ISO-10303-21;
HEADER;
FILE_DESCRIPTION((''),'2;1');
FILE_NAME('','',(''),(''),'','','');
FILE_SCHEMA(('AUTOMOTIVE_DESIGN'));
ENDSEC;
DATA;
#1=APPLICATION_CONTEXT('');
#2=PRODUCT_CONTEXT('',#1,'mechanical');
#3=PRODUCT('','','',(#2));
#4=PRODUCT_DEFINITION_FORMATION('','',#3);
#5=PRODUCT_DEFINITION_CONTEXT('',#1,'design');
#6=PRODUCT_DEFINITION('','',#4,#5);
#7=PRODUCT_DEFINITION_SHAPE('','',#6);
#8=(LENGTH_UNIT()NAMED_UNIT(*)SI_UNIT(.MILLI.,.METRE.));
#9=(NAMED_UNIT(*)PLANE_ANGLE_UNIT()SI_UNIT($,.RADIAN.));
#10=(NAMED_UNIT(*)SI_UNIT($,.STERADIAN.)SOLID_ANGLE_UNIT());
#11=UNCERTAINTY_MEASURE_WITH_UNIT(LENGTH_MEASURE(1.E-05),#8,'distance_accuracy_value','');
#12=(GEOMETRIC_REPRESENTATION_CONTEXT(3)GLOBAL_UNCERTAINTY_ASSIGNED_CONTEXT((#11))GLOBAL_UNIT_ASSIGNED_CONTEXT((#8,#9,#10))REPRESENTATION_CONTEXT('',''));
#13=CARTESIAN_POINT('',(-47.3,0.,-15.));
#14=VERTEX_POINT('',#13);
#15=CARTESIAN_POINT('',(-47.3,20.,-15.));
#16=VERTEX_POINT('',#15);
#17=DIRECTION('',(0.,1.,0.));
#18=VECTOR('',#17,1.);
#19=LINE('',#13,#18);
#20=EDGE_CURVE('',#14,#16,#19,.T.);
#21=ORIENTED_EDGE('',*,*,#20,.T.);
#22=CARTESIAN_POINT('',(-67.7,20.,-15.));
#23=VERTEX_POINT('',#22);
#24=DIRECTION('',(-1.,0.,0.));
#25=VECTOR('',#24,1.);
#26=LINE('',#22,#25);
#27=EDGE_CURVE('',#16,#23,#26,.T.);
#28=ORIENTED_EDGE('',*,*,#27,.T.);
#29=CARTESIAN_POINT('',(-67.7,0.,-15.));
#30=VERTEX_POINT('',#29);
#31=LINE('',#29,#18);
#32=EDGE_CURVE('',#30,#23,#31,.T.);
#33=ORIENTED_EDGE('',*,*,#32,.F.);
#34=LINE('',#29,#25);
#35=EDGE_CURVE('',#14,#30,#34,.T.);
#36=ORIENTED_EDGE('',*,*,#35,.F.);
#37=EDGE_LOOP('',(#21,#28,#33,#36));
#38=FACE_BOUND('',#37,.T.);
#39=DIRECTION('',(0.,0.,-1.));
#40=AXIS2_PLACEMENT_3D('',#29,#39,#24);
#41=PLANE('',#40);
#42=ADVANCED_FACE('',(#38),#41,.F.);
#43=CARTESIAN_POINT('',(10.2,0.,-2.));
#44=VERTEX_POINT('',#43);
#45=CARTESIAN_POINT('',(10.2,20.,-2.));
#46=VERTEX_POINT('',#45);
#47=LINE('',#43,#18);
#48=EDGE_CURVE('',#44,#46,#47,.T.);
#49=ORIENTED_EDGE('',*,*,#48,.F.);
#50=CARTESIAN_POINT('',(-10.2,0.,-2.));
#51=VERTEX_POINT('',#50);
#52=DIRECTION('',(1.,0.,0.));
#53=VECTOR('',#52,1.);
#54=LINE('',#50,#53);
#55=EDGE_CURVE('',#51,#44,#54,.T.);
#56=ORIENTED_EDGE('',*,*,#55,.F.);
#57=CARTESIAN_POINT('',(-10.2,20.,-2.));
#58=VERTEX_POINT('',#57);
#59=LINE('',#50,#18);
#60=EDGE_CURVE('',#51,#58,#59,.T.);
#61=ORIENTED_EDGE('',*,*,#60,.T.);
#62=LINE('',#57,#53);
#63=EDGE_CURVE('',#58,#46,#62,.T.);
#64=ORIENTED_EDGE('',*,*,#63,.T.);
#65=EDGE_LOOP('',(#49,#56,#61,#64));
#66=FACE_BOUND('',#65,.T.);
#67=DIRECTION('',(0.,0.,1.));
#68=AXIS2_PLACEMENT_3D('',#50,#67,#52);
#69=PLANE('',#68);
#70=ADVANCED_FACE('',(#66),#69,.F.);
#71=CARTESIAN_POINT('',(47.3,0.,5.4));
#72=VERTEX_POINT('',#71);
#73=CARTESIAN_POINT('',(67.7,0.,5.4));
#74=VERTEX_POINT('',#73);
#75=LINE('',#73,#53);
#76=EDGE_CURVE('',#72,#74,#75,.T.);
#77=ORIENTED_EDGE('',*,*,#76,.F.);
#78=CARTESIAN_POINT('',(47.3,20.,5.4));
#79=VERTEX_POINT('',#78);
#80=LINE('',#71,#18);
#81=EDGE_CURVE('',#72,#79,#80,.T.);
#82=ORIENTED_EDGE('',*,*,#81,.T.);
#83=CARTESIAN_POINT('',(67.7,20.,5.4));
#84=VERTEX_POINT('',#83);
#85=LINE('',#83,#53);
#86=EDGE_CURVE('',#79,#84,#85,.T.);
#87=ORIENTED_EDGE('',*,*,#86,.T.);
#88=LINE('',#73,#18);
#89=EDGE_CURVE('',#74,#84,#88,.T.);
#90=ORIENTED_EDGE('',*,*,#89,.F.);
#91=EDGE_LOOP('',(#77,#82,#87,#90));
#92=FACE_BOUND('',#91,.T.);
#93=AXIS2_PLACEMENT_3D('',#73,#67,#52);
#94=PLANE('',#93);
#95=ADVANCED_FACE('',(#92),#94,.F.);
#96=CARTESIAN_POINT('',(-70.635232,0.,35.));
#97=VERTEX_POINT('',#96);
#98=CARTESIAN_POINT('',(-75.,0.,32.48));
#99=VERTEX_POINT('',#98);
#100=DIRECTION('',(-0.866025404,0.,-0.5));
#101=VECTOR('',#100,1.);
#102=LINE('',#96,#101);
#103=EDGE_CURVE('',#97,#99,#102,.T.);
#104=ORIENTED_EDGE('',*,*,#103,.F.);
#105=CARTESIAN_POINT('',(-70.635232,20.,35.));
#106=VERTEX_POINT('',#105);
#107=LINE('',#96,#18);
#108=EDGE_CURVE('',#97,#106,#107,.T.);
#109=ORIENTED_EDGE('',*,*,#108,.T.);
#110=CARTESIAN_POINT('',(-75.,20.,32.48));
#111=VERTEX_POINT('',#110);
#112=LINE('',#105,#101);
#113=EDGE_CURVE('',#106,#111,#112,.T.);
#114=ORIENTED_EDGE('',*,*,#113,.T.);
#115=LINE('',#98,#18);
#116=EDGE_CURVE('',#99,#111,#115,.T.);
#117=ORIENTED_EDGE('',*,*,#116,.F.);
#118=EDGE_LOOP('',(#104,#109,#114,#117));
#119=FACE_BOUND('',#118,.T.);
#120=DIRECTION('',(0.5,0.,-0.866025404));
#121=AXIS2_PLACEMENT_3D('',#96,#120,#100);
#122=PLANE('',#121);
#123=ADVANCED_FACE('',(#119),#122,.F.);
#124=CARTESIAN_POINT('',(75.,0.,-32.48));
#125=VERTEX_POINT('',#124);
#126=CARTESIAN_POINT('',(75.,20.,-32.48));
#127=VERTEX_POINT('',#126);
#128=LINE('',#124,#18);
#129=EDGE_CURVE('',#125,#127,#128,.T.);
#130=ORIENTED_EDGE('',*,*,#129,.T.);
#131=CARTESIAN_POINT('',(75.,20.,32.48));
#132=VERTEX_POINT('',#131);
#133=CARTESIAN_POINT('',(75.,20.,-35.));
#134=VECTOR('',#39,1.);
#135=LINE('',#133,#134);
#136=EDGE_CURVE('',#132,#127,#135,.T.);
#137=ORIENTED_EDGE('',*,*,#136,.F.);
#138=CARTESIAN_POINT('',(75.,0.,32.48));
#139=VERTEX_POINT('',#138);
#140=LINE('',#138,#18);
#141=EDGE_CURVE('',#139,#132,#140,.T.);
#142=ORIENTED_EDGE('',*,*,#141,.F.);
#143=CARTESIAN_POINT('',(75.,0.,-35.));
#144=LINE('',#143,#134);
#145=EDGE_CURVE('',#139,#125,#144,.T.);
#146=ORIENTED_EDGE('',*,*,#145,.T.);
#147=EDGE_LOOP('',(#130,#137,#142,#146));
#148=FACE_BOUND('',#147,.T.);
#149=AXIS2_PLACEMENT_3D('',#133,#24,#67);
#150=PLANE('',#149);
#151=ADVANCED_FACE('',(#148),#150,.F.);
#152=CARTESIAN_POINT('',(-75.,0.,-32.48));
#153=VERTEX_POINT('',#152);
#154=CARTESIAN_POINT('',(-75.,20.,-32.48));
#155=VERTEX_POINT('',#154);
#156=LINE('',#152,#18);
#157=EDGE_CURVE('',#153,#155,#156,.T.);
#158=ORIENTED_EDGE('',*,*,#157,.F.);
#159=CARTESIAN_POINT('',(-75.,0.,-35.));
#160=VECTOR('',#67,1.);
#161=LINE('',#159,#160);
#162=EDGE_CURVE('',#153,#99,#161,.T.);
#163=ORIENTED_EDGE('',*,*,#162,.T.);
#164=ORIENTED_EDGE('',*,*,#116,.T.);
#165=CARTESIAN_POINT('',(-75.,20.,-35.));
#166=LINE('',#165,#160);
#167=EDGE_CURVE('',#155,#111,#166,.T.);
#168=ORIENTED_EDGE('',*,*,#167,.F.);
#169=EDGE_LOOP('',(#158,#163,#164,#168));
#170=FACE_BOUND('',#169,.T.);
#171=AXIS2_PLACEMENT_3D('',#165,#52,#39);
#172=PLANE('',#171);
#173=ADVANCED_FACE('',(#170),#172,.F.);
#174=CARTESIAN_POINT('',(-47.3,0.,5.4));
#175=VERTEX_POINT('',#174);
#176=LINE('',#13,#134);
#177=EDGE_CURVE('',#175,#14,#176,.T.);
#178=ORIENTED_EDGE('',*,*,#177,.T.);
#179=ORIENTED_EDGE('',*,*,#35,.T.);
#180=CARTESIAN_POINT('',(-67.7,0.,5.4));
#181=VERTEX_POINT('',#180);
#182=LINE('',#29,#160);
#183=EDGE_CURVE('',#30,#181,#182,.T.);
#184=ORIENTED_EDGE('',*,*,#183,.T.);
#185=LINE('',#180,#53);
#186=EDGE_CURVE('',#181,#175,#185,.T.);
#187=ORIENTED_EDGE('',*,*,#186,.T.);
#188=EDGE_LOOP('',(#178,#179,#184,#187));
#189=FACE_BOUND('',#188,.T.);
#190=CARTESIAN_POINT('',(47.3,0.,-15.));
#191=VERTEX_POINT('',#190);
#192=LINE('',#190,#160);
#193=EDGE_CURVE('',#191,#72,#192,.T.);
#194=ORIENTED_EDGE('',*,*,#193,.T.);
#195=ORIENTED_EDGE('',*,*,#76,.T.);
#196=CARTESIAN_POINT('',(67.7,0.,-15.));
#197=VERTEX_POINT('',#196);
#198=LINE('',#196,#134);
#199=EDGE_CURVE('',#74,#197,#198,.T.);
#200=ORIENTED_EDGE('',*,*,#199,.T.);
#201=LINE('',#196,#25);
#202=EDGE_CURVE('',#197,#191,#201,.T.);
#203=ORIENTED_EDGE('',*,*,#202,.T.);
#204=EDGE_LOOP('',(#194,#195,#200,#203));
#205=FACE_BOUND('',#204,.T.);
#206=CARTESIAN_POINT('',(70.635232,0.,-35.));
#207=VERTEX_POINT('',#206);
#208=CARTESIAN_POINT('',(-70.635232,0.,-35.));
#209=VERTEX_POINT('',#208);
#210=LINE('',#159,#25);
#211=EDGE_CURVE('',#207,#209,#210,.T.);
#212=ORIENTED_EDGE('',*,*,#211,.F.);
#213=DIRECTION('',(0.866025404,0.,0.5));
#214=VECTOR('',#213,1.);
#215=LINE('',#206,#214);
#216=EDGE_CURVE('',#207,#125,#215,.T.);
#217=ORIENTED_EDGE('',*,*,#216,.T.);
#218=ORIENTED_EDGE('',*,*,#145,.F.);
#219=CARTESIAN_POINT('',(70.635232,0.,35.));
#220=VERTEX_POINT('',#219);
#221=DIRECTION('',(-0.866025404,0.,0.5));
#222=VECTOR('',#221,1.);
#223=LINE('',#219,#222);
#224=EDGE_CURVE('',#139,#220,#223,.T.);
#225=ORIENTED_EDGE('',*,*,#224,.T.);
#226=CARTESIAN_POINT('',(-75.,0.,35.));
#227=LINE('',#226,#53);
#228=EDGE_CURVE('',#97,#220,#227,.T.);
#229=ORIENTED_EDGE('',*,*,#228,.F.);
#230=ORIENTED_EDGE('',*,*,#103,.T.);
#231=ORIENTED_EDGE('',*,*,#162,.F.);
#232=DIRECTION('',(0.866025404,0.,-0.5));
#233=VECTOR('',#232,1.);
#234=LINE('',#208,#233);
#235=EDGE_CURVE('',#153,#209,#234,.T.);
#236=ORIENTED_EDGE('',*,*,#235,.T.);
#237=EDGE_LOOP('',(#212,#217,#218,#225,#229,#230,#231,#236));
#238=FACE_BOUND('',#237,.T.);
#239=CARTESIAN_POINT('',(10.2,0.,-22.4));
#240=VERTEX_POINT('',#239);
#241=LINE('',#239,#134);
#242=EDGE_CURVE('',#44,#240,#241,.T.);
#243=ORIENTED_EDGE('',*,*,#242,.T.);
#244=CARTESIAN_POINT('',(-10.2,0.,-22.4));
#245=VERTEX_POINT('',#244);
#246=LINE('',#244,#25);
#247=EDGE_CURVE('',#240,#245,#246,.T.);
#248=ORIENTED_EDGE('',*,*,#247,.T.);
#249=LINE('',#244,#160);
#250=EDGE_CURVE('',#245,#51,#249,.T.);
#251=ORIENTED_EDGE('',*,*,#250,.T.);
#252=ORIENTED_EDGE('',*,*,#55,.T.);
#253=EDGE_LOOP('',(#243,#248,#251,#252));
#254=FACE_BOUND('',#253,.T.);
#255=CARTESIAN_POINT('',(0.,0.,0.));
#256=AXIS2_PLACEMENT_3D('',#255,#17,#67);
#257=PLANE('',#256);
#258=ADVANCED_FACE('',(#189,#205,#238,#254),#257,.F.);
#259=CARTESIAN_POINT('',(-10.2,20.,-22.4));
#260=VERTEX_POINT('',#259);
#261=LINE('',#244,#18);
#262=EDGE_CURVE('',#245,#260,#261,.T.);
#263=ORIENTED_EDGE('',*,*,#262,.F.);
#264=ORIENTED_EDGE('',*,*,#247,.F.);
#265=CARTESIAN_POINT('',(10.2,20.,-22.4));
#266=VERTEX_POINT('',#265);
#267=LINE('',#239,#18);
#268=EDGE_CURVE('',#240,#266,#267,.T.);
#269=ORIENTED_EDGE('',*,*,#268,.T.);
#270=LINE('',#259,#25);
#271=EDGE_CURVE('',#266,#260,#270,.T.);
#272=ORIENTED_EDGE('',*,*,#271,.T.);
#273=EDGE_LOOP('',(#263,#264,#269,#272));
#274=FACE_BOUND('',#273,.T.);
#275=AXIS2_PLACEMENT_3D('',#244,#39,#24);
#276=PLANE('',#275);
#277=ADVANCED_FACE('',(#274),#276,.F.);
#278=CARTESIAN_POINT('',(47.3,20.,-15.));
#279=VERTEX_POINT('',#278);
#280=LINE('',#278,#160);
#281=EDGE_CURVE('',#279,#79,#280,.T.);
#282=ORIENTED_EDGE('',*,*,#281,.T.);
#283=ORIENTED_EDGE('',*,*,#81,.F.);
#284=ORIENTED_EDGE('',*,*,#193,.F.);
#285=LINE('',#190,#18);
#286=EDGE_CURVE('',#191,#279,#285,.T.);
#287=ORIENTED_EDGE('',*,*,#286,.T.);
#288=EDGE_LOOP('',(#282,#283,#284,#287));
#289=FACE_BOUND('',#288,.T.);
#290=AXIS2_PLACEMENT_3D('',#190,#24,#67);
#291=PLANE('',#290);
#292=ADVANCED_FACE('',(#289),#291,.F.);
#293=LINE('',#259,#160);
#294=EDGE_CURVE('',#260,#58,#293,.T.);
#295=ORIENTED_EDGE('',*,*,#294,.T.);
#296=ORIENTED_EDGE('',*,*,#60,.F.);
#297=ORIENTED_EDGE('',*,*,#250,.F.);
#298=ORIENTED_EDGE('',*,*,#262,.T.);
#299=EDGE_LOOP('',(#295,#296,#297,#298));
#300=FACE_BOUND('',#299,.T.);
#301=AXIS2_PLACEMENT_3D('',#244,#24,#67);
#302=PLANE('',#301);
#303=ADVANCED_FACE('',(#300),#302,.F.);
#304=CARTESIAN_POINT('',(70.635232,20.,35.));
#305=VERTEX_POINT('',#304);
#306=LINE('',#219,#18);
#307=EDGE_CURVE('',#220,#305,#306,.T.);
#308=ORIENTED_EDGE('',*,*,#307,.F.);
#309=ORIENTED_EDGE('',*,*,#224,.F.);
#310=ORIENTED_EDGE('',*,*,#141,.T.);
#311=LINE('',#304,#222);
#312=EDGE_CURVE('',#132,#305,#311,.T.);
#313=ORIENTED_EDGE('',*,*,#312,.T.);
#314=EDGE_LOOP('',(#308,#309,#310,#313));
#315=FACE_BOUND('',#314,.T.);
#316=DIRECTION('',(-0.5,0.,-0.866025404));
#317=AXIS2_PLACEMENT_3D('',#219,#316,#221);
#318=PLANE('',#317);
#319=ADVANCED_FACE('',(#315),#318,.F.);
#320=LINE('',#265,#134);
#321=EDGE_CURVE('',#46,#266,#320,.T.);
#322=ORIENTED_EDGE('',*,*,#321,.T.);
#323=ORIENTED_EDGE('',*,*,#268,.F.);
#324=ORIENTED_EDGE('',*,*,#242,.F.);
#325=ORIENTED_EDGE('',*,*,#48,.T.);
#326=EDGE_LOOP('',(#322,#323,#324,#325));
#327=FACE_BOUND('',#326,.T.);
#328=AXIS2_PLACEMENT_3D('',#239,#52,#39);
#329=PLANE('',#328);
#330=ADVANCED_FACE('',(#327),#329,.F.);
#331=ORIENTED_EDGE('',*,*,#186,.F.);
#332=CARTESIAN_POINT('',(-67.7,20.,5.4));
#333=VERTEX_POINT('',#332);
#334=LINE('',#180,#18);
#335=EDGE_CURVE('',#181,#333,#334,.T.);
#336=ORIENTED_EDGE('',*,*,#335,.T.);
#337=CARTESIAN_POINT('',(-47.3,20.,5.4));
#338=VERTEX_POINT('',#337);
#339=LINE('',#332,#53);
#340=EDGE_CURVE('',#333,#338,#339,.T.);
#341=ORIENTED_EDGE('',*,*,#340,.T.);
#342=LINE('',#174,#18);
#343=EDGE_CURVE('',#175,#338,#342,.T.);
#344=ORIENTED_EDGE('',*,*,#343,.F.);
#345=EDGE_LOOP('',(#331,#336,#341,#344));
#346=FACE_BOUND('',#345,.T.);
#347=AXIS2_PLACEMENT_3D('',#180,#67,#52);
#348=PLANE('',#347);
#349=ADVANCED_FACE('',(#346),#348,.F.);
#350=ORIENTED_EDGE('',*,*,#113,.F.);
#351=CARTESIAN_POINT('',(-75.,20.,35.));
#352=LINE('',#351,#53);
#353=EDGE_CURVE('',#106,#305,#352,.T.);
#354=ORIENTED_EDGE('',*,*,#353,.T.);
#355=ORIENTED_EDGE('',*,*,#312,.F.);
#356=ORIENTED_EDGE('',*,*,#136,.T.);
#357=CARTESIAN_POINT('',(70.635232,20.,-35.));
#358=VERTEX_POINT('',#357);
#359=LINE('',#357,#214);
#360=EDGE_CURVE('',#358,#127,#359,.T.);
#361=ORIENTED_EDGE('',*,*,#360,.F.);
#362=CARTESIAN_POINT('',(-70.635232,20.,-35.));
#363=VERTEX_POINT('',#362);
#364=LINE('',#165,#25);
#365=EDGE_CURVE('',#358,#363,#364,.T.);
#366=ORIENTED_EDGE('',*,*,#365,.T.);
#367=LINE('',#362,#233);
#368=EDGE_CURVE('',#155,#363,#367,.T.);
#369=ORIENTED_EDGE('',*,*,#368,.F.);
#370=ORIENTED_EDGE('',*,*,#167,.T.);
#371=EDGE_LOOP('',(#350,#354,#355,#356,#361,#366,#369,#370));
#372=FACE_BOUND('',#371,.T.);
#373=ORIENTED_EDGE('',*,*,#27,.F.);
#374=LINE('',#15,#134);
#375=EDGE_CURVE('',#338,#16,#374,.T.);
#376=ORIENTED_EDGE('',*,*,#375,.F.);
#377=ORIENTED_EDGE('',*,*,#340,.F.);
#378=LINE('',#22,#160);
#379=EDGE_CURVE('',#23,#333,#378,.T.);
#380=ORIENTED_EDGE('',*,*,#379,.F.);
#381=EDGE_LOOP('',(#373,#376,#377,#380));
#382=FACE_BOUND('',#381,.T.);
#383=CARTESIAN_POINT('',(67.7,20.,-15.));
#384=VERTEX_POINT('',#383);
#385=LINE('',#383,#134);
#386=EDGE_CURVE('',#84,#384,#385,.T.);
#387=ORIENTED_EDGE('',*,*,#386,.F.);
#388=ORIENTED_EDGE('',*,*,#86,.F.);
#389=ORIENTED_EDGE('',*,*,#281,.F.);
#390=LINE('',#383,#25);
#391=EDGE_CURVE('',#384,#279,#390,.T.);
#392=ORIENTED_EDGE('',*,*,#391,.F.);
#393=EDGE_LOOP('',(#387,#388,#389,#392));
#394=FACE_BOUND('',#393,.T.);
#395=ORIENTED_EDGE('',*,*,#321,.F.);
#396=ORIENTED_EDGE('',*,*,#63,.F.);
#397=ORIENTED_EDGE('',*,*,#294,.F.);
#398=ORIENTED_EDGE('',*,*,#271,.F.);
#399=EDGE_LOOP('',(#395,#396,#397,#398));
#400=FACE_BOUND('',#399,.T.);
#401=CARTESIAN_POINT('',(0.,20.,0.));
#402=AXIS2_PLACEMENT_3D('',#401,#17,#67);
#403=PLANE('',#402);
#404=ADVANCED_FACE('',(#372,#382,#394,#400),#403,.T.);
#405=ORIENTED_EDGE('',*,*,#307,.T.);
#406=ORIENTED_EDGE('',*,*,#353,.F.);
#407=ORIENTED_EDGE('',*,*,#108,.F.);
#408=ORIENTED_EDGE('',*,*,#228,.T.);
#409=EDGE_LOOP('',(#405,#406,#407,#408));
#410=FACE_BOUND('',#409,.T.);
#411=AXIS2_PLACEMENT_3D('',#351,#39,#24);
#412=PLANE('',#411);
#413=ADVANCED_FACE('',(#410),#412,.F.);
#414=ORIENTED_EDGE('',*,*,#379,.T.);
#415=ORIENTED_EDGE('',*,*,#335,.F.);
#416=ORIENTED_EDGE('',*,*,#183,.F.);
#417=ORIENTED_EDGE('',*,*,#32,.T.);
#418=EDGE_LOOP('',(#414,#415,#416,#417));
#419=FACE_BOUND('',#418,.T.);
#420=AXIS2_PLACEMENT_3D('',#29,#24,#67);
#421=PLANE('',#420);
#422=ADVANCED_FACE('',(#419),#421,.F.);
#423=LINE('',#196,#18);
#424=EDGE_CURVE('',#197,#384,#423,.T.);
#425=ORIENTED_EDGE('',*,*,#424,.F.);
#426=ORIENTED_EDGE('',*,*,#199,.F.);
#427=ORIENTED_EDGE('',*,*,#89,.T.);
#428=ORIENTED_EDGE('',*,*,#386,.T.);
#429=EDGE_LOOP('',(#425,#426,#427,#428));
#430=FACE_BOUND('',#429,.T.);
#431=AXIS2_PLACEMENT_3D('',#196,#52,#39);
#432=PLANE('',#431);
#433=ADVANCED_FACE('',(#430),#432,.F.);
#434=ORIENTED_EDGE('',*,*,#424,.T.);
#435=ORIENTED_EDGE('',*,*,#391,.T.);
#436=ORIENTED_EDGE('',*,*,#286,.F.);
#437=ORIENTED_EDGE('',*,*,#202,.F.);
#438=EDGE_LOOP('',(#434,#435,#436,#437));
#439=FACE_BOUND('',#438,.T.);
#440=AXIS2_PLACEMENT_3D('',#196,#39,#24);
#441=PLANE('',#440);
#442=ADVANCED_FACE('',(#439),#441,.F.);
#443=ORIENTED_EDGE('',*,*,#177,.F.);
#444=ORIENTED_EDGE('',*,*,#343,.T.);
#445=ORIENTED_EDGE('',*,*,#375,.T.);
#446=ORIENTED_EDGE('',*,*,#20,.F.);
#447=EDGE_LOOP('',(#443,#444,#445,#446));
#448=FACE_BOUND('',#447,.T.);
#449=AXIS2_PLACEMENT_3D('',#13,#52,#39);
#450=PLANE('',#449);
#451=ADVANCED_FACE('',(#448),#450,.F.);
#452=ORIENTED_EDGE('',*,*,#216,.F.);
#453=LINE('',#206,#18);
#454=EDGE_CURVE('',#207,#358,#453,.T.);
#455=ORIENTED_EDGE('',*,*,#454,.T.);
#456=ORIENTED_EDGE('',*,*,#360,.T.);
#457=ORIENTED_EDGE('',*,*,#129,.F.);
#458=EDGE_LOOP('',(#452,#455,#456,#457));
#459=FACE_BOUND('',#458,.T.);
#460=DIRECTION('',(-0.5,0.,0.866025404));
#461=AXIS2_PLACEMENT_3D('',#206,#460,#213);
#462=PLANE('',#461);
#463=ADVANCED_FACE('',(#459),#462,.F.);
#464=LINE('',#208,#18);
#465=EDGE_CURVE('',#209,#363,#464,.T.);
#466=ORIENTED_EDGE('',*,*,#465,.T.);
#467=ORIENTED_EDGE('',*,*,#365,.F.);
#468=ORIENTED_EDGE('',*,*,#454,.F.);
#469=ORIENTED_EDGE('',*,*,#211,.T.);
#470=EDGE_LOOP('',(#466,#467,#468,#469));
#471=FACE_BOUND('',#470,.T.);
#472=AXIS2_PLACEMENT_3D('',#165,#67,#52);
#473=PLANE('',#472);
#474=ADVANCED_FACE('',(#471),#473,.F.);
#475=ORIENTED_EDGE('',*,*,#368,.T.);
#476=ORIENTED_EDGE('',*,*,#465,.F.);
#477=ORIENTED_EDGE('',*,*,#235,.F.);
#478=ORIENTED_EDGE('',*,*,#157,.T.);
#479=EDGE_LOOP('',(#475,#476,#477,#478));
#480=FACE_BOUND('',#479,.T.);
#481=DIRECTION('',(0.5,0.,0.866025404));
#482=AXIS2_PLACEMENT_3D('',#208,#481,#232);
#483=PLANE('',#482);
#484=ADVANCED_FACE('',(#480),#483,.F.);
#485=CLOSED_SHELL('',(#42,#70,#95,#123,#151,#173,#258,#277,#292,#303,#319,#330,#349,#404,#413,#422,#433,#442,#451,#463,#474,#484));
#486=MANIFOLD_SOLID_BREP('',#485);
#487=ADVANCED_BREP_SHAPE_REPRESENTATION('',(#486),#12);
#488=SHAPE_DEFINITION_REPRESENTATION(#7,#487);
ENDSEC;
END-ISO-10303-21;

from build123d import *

# Parameters (mm, degrees)
SKETCH2_W      = 150
SKETCH2_H      = 70
EXTRUDE1_DEPTH = 20
SKETCH3_W      = 20.4
SKETCH3_H      = 20.4
EXTRUDE2_DEPTH = 20
SKETCH6_W      = 20.4
SKETCH6_H      = 20.4
EXTRUDE5_DEPTH = 20
EXTRUDE6_DEPTH = 20


with BuildPart() as part:
    # Sketch2 → Extrude1 (new body)
    with BuildSketch(Plane(origin=(0, 0, 0), x_dir=(1, 0, 0), z_dir=(0, 1, 0))):
        Rectangle(SKETCH2_W, SKETCH2_H)
    extrude(amount=EXTRUDE1_DEPTH)

    # Sketch3 → Extrude2 (cut)
    with BuildSketch(Plane(origin=(0, 20, 0), x_dir=(1, 0, 0), z_dir=(0, 1, 0))):
        with Locations((0, 12.2)):
            Rectangle(SKETCH3_W, SKETCH3_H)
    extrude(amount=-EXTRUDE2_DEPTH, mode=Mode.SUBTRACT)

    # Sketch6 → Extrude5 (cut)
    with BuildSketch(Plane(origin=(0, 20, 0), x_dir=(1, 0, 0), z_dir=(0, 1, 0))):
        with Locations((-57.5, 4.8)):
            Rectangle(SKETCH6_W, SKETCH6_H)
        with Locations((57.5, 4.8)):
            Rectangle(SKETCH6_W, SKETCH6_H)
    extrude(amount=-EXTRUDE5_DEPTH, mode=Mode.SUBTRACT)

    # Sketch7 → Extrude6 (cut)
    with BuildSketch(Plane(origin=(0, 20, 0), x_dir=(1, 0, 0), z_dir=(0, 1, 0))):
        Polygon((-70.635231965, -35), (-75, -32.48), (-75, -35), align=None)
        Polygon((-75, 35), (-70.635231965, 35), (-75, 32.48), align=None)
        Polygon((75, -35), (70.635231965, -35), (75, -32.48), align=None)
        Polygon((70.635231965, 35), (75, 32.48), (75, 35), align=None)
    extrude(amount=-EXTRUDE6_DEPTH, mode=Mode.SUBTRACT)


solid = part.part
